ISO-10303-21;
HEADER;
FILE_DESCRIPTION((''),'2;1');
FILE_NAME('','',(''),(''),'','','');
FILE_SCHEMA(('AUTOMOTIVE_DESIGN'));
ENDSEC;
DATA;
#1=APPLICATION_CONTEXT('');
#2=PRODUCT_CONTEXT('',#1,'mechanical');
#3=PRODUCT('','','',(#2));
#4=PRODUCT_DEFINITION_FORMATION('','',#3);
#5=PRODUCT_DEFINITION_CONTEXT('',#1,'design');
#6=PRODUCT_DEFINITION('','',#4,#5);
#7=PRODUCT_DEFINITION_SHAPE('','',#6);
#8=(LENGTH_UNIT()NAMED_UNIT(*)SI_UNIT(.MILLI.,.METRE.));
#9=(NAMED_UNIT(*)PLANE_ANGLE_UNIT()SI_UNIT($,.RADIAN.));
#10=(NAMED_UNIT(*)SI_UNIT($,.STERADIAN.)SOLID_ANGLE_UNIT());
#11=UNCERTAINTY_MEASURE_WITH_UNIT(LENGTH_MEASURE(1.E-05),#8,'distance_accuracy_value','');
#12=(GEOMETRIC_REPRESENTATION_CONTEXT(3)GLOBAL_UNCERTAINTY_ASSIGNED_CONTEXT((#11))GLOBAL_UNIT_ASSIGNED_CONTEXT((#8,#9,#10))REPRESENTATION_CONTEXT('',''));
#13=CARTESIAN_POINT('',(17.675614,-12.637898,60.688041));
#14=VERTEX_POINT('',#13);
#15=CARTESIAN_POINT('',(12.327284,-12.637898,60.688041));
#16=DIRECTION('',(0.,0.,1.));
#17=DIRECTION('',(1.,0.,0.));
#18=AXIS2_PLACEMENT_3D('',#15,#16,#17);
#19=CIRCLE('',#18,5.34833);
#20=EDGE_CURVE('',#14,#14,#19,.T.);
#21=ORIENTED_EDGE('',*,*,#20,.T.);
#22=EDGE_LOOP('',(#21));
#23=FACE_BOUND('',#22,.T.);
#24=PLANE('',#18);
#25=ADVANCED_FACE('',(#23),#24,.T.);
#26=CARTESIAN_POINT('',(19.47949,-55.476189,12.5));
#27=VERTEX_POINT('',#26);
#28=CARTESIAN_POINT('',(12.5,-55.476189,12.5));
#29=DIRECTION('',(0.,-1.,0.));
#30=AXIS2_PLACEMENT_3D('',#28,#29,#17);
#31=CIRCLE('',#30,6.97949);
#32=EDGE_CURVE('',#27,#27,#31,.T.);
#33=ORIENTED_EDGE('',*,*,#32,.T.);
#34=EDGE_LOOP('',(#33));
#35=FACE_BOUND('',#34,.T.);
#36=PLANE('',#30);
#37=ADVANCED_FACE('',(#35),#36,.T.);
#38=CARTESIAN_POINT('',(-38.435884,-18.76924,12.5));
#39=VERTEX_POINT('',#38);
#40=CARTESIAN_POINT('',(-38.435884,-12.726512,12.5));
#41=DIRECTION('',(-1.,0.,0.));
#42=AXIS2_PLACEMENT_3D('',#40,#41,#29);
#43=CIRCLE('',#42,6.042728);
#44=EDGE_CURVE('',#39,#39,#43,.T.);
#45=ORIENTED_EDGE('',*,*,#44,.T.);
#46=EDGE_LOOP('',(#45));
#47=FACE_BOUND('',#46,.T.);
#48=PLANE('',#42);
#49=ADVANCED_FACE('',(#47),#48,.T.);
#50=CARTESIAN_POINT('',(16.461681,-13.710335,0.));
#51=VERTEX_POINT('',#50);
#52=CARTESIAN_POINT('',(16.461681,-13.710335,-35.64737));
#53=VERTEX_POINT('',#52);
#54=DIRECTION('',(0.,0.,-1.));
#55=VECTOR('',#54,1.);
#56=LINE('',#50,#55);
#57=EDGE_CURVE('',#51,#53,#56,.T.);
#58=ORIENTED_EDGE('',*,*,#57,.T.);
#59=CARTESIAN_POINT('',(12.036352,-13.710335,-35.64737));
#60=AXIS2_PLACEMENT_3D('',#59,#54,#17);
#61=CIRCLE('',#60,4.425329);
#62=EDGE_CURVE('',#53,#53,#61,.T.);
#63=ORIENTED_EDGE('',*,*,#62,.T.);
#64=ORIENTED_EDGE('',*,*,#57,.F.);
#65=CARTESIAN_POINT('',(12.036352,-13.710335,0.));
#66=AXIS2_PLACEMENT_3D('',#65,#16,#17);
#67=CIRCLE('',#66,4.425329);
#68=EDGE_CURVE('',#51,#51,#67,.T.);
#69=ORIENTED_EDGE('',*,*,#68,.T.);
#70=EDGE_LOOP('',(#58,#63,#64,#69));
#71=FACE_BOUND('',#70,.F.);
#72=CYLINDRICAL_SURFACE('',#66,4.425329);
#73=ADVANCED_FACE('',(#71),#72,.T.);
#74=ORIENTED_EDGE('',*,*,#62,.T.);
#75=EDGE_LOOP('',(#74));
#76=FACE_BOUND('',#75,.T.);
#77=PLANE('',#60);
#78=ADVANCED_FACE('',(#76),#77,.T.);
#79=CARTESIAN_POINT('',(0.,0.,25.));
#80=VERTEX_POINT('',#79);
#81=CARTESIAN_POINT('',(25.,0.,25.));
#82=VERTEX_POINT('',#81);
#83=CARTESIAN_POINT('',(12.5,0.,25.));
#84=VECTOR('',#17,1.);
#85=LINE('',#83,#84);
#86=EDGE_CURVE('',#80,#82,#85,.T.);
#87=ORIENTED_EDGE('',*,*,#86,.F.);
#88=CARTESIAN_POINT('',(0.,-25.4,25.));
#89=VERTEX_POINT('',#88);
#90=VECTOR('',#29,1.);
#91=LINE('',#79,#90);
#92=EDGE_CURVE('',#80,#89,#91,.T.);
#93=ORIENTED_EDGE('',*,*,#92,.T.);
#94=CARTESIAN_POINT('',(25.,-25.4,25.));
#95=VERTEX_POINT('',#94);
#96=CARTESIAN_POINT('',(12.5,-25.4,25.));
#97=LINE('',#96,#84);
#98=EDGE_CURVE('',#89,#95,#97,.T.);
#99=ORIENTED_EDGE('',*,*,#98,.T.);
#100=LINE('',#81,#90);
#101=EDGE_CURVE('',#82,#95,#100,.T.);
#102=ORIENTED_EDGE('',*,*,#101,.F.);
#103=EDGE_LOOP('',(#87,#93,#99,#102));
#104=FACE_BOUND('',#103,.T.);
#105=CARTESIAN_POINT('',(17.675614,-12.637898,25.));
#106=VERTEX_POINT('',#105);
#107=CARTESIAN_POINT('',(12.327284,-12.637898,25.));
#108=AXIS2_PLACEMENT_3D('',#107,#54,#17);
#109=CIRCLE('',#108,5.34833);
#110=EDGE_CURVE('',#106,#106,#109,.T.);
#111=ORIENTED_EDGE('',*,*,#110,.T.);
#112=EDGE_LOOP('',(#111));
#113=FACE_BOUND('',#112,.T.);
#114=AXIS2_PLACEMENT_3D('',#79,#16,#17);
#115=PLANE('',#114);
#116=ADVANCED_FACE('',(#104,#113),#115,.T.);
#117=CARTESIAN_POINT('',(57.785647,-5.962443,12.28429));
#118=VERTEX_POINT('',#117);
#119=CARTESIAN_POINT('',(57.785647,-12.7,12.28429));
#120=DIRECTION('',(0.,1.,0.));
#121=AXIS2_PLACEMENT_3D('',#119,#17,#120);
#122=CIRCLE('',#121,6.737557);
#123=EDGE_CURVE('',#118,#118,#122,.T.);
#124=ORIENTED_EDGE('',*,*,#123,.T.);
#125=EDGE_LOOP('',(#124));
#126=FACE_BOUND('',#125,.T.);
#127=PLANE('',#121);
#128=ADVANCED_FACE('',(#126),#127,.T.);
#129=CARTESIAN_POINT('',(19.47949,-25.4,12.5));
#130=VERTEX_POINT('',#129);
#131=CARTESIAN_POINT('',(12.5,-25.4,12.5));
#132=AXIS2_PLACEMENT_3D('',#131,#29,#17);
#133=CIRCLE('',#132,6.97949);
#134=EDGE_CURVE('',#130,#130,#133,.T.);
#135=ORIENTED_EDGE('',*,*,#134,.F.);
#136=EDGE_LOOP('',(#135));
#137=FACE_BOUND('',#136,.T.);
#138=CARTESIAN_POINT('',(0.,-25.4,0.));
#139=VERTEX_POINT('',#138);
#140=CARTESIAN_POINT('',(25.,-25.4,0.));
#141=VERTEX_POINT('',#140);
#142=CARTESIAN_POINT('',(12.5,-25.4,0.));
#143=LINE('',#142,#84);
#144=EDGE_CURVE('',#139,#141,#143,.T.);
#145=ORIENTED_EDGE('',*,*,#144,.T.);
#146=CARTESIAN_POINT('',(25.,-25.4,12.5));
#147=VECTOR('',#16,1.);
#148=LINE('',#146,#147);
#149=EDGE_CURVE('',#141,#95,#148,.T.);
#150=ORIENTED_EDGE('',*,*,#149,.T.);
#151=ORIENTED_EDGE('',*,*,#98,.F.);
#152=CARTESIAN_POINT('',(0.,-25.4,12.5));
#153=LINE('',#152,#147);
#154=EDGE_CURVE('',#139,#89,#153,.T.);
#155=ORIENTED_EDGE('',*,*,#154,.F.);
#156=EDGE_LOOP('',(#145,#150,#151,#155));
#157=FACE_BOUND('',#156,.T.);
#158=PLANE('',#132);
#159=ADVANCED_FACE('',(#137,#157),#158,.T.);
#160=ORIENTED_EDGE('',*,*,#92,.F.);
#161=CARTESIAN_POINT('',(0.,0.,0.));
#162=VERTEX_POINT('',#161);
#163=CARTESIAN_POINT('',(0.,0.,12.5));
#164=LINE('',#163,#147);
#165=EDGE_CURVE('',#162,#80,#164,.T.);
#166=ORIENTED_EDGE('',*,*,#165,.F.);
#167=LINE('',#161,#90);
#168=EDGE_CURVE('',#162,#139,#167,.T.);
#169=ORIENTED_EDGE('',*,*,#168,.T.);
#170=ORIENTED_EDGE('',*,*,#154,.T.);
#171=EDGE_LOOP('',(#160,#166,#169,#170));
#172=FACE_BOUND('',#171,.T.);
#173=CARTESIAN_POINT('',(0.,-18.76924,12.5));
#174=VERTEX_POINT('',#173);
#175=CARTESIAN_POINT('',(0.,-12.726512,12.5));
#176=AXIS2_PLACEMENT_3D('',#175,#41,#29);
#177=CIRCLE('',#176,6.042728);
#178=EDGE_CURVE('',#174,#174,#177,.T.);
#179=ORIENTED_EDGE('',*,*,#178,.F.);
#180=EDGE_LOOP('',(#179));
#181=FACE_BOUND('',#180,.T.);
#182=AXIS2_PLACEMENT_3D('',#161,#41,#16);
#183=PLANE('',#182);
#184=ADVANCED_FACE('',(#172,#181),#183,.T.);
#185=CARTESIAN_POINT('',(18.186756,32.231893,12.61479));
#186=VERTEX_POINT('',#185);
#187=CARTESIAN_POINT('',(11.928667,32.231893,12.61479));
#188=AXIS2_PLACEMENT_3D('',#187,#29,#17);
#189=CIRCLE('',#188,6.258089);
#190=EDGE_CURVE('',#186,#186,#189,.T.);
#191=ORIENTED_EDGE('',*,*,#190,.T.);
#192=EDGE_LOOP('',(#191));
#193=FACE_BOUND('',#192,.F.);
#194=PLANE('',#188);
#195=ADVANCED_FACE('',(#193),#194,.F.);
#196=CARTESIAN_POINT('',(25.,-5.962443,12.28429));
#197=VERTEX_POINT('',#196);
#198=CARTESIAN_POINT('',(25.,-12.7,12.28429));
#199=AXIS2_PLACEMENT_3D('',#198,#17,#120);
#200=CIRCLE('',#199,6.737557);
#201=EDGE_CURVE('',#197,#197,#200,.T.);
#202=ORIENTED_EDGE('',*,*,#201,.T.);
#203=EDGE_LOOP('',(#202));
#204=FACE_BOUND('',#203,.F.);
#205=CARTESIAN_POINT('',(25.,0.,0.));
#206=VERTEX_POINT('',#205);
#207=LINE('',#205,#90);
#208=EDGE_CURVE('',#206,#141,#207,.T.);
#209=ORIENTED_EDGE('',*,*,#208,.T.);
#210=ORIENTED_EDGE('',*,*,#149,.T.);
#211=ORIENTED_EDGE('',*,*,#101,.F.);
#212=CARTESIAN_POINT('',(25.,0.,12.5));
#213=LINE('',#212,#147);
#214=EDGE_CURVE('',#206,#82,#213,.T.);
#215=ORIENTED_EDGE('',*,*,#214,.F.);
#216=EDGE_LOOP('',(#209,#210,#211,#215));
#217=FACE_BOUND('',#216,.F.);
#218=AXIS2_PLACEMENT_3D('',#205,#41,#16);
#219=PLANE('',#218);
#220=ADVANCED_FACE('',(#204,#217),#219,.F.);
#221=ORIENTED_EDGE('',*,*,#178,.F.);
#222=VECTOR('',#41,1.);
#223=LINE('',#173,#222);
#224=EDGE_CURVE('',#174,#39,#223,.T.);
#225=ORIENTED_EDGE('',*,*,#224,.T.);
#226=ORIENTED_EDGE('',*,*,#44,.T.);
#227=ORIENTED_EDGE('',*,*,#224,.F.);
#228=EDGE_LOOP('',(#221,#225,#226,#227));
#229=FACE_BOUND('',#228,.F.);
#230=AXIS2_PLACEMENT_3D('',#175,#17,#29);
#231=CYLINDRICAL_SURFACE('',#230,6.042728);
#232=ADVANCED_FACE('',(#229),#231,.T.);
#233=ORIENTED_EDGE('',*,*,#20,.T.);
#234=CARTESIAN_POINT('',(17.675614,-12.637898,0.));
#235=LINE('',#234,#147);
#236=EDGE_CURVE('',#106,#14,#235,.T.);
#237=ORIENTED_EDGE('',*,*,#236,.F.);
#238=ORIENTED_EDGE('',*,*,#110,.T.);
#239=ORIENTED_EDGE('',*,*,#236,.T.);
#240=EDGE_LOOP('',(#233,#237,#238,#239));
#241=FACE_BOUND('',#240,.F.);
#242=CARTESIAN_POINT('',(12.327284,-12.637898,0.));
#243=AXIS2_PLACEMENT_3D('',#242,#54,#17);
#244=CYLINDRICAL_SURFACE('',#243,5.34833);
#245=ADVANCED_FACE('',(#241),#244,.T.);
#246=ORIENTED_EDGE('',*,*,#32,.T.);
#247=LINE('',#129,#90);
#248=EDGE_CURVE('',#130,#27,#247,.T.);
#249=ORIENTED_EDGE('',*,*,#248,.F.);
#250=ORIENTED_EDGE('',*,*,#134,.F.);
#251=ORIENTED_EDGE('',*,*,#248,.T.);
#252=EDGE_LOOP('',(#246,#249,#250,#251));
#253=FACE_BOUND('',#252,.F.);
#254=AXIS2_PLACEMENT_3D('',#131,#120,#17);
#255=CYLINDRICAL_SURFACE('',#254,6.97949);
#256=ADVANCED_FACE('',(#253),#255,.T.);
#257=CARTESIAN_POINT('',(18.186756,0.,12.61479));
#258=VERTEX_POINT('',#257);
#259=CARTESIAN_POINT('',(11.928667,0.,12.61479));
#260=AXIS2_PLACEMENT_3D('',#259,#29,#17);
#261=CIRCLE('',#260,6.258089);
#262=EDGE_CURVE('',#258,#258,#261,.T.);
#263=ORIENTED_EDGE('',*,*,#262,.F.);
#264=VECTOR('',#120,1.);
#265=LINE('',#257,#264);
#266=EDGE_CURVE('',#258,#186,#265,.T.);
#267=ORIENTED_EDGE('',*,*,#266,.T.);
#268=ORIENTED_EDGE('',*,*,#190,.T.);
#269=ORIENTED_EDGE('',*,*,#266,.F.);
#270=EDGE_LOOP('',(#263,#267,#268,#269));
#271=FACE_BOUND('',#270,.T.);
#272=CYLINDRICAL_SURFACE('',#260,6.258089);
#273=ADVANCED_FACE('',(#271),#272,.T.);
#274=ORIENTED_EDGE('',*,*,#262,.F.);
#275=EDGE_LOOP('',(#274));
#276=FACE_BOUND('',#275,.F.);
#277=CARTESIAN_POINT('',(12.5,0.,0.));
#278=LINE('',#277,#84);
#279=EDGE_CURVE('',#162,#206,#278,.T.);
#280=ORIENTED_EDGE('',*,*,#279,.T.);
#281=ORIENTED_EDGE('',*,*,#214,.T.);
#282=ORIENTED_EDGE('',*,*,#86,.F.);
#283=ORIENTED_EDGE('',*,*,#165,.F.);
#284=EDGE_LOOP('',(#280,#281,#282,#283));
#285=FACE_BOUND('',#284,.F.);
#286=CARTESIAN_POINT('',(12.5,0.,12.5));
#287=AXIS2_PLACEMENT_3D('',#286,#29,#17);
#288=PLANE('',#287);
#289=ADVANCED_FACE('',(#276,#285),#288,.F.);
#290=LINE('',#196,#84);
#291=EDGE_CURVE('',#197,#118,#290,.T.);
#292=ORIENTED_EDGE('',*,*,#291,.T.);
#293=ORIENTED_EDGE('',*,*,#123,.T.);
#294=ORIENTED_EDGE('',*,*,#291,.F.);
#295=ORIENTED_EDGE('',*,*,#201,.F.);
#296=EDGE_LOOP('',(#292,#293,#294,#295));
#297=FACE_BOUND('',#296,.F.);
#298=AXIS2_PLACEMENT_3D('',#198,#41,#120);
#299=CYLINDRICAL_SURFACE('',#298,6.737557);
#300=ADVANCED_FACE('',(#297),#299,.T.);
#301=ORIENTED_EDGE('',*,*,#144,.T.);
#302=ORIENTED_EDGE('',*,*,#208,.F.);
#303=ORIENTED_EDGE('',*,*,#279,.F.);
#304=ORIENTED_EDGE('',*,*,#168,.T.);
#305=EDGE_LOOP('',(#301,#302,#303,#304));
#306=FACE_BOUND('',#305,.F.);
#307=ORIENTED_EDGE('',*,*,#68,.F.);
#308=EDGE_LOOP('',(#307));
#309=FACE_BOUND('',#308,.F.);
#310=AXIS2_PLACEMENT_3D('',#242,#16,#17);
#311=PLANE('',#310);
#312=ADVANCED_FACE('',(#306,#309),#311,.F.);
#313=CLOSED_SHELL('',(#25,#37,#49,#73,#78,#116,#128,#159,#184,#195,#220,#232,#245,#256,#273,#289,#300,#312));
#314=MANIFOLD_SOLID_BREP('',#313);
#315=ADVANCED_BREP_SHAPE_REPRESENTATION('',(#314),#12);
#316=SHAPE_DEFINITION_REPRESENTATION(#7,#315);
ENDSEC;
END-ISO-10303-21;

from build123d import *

# Parameters (mm, degrees)
F0_W      = 25
F0_H      = 25
F1_DEPTH  = 25.4
F2_R      = 5.34833
F3_DEPTH  = 60.688041
F5_R      = 4.425329
F6_DEPTH  = 35.64737
F4_R      = 5.771368
F7_DEPTH  = 5.648091
F8_R      = 6.258089
F9_DEPTH  = 32.231893
F10_R     = 6.97949
F11_DEPTH = 30.076189
F12_R     = 6.737557
F13_DEPTH = 32.785647
F14_R     = 6.042728
F15_DEPTH = 38.435884


with BuildPart() as f1:
    # F0 (on Front) → F1 (new body)
    with BuildSketch(Plane.XZ):
        with Locations((12.5, 12.5)):
            Rectangle(F0_W, F0_H)
    extrude(amount=F1_DEPTH)

    # F2 (on Top) → F3 (join)
    with BuildSketch(Plane.XY):
        with Locations((12.327284, -12.637898)):
            Circle(F2_R)
    extrude(amount=F3_DEPTH)

    # F5 (on face) → F6 (join)
    with BuildSketch(Plane(origin=(0, 0, 0), x_dir=(1, 0, 0), z_dir=(0, 0, -1))):
        with Locations((12.036352, 13.710335)):
            Circle(F5_R)
    extrude(amount=F6_DEPTH)

    # F4 (on Top) → F7 (join)
    with BuildSketch(Plane.XY):
        with Locations((11.907944, -12.260992)):
            Circle(F4_R)
    extrude(amount=F7_DEPTH)

    # F8 (on face) → F9 (join)
    with BuildSketch(Plane.XZ):
        with Locations((11.928667, 12.61479)):
            Circle(F8_R)
    extrude(amount=-F9_DEPTH)

    # F10 (on face) → F11 (join)
    with BuildSketch(Plane.XZ.offset(25.4)):
        with Locations((12.5, 12.5)):
            Circle(F10_R)
    extrude(amount=F11_DEPTH)

    # F12 (on face) → F13 (join)
    with BuildSketch(Plane.YZ.offset(25)):
        with Locations((-12.7, 12.28429)):
            Circle(F12_R)
    extrude(amount=F13_DEPTH)

    # F14 (on face) → F15 (join)
    with BuildSketch(Plane(origin=(0, 0, 0), x_dir=(0, -1, 0), z_dir=(-1, 0, 0))):
        with Locations((12.726512, 12.5)):
            Circle(F14_R)
    extrude(amount=F15_DEPTH)


solid = f1.part
